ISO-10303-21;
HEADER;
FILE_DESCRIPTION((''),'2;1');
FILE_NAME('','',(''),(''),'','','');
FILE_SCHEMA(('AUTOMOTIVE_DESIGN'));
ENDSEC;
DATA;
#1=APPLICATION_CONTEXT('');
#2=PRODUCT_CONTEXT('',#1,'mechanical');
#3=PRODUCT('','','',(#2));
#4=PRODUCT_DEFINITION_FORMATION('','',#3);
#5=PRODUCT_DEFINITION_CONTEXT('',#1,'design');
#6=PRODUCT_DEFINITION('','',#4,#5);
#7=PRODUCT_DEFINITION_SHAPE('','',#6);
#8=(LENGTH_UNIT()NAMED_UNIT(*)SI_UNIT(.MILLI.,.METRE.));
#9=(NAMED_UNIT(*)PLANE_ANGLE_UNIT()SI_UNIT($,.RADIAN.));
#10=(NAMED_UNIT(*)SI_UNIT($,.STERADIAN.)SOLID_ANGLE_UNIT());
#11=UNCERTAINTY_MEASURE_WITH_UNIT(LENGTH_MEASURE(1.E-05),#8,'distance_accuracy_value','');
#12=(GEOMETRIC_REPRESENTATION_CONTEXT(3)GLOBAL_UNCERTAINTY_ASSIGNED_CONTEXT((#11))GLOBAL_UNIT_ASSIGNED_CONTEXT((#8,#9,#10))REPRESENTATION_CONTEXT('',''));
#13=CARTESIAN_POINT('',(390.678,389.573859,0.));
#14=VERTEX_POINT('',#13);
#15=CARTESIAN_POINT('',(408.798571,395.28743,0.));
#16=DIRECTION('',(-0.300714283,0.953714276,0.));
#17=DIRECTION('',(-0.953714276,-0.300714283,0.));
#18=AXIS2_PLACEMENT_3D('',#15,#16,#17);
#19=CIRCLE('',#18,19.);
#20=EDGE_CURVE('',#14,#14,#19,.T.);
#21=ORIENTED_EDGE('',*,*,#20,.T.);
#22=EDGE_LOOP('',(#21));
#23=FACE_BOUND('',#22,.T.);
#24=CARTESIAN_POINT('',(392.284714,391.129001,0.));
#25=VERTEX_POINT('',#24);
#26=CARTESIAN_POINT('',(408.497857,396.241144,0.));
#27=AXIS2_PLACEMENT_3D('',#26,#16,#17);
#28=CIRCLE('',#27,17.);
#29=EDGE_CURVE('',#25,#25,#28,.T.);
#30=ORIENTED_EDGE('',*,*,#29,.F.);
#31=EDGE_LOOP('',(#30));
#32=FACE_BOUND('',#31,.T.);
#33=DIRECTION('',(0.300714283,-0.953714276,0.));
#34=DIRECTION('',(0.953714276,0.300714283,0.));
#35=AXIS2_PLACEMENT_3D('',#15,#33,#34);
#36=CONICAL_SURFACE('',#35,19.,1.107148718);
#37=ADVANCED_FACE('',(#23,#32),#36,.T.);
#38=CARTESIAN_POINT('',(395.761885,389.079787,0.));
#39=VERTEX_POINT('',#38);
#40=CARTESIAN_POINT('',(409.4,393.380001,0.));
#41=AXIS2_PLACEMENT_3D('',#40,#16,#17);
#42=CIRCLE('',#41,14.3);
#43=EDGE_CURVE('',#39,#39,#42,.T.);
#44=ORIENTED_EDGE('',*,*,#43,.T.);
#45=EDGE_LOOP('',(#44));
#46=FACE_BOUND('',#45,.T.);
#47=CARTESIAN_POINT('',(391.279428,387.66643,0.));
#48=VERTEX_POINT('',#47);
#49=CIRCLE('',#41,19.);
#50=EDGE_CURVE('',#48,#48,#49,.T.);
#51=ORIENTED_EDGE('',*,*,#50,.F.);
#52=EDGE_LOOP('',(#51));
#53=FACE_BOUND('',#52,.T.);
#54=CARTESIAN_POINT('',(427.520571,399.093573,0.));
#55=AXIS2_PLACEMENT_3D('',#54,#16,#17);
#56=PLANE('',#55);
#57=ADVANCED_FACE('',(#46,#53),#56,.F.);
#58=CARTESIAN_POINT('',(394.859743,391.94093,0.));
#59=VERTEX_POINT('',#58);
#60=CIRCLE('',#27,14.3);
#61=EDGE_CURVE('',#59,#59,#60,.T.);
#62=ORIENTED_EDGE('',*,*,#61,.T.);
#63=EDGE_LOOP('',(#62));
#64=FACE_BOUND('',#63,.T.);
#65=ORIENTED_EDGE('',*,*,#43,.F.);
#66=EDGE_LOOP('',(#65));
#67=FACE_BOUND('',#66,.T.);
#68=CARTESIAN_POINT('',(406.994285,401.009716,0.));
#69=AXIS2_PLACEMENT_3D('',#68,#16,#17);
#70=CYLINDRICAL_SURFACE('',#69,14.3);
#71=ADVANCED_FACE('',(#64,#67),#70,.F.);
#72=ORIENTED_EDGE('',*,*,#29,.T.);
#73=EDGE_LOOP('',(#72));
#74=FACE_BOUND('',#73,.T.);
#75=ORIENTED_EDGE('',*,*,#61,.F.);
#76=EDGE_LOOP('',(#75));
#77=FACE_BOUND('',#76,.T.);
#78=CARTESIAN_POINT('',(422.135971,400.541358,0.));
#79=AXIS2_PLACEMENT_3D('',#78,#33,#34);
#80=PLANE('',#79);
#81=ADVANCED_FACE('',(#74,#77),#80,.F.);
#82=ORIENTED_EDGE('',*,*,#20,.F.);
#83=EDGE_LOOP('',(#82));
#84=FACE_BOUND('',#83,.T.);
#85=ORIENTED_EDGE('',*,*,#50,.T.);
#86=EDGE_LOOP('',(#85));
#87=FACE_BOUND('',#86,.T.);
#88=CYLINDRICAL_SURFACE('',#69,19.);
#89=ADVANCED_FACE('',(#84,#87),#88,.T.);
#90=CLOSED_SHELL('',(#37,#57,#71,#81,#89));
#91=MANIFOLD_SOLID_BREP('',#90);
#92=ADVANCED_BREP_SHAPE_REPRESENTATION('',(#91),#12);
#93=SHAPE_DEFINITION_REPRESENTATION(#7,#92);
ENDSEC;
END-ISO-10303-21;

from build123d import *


with BuildPart() as part:
    # Sk_Cono → Cono (revolve)
    with BuildSketch(Plane.XY, mode=Mode.PRIVATE) as cono_sk:
        Polygon((422.135970869, 400.541358432), (424.710999414, 401.353286995), (426.919142249, 401.001001285), (427.520570814, 399.093572733), (423.038113717, 397.680215604), align=None)
    revolve(cono_sk.sketch.rotate(Axis((406.994285309, 401.00971557, 0), (0.3007142826457722, -0.9537142759825076, 0)), 180), axis=Axis((406.994285309, 401.00971557, 0), (0.3007142826457722, -0.9537142759825076, 0)))


solid = part.part
